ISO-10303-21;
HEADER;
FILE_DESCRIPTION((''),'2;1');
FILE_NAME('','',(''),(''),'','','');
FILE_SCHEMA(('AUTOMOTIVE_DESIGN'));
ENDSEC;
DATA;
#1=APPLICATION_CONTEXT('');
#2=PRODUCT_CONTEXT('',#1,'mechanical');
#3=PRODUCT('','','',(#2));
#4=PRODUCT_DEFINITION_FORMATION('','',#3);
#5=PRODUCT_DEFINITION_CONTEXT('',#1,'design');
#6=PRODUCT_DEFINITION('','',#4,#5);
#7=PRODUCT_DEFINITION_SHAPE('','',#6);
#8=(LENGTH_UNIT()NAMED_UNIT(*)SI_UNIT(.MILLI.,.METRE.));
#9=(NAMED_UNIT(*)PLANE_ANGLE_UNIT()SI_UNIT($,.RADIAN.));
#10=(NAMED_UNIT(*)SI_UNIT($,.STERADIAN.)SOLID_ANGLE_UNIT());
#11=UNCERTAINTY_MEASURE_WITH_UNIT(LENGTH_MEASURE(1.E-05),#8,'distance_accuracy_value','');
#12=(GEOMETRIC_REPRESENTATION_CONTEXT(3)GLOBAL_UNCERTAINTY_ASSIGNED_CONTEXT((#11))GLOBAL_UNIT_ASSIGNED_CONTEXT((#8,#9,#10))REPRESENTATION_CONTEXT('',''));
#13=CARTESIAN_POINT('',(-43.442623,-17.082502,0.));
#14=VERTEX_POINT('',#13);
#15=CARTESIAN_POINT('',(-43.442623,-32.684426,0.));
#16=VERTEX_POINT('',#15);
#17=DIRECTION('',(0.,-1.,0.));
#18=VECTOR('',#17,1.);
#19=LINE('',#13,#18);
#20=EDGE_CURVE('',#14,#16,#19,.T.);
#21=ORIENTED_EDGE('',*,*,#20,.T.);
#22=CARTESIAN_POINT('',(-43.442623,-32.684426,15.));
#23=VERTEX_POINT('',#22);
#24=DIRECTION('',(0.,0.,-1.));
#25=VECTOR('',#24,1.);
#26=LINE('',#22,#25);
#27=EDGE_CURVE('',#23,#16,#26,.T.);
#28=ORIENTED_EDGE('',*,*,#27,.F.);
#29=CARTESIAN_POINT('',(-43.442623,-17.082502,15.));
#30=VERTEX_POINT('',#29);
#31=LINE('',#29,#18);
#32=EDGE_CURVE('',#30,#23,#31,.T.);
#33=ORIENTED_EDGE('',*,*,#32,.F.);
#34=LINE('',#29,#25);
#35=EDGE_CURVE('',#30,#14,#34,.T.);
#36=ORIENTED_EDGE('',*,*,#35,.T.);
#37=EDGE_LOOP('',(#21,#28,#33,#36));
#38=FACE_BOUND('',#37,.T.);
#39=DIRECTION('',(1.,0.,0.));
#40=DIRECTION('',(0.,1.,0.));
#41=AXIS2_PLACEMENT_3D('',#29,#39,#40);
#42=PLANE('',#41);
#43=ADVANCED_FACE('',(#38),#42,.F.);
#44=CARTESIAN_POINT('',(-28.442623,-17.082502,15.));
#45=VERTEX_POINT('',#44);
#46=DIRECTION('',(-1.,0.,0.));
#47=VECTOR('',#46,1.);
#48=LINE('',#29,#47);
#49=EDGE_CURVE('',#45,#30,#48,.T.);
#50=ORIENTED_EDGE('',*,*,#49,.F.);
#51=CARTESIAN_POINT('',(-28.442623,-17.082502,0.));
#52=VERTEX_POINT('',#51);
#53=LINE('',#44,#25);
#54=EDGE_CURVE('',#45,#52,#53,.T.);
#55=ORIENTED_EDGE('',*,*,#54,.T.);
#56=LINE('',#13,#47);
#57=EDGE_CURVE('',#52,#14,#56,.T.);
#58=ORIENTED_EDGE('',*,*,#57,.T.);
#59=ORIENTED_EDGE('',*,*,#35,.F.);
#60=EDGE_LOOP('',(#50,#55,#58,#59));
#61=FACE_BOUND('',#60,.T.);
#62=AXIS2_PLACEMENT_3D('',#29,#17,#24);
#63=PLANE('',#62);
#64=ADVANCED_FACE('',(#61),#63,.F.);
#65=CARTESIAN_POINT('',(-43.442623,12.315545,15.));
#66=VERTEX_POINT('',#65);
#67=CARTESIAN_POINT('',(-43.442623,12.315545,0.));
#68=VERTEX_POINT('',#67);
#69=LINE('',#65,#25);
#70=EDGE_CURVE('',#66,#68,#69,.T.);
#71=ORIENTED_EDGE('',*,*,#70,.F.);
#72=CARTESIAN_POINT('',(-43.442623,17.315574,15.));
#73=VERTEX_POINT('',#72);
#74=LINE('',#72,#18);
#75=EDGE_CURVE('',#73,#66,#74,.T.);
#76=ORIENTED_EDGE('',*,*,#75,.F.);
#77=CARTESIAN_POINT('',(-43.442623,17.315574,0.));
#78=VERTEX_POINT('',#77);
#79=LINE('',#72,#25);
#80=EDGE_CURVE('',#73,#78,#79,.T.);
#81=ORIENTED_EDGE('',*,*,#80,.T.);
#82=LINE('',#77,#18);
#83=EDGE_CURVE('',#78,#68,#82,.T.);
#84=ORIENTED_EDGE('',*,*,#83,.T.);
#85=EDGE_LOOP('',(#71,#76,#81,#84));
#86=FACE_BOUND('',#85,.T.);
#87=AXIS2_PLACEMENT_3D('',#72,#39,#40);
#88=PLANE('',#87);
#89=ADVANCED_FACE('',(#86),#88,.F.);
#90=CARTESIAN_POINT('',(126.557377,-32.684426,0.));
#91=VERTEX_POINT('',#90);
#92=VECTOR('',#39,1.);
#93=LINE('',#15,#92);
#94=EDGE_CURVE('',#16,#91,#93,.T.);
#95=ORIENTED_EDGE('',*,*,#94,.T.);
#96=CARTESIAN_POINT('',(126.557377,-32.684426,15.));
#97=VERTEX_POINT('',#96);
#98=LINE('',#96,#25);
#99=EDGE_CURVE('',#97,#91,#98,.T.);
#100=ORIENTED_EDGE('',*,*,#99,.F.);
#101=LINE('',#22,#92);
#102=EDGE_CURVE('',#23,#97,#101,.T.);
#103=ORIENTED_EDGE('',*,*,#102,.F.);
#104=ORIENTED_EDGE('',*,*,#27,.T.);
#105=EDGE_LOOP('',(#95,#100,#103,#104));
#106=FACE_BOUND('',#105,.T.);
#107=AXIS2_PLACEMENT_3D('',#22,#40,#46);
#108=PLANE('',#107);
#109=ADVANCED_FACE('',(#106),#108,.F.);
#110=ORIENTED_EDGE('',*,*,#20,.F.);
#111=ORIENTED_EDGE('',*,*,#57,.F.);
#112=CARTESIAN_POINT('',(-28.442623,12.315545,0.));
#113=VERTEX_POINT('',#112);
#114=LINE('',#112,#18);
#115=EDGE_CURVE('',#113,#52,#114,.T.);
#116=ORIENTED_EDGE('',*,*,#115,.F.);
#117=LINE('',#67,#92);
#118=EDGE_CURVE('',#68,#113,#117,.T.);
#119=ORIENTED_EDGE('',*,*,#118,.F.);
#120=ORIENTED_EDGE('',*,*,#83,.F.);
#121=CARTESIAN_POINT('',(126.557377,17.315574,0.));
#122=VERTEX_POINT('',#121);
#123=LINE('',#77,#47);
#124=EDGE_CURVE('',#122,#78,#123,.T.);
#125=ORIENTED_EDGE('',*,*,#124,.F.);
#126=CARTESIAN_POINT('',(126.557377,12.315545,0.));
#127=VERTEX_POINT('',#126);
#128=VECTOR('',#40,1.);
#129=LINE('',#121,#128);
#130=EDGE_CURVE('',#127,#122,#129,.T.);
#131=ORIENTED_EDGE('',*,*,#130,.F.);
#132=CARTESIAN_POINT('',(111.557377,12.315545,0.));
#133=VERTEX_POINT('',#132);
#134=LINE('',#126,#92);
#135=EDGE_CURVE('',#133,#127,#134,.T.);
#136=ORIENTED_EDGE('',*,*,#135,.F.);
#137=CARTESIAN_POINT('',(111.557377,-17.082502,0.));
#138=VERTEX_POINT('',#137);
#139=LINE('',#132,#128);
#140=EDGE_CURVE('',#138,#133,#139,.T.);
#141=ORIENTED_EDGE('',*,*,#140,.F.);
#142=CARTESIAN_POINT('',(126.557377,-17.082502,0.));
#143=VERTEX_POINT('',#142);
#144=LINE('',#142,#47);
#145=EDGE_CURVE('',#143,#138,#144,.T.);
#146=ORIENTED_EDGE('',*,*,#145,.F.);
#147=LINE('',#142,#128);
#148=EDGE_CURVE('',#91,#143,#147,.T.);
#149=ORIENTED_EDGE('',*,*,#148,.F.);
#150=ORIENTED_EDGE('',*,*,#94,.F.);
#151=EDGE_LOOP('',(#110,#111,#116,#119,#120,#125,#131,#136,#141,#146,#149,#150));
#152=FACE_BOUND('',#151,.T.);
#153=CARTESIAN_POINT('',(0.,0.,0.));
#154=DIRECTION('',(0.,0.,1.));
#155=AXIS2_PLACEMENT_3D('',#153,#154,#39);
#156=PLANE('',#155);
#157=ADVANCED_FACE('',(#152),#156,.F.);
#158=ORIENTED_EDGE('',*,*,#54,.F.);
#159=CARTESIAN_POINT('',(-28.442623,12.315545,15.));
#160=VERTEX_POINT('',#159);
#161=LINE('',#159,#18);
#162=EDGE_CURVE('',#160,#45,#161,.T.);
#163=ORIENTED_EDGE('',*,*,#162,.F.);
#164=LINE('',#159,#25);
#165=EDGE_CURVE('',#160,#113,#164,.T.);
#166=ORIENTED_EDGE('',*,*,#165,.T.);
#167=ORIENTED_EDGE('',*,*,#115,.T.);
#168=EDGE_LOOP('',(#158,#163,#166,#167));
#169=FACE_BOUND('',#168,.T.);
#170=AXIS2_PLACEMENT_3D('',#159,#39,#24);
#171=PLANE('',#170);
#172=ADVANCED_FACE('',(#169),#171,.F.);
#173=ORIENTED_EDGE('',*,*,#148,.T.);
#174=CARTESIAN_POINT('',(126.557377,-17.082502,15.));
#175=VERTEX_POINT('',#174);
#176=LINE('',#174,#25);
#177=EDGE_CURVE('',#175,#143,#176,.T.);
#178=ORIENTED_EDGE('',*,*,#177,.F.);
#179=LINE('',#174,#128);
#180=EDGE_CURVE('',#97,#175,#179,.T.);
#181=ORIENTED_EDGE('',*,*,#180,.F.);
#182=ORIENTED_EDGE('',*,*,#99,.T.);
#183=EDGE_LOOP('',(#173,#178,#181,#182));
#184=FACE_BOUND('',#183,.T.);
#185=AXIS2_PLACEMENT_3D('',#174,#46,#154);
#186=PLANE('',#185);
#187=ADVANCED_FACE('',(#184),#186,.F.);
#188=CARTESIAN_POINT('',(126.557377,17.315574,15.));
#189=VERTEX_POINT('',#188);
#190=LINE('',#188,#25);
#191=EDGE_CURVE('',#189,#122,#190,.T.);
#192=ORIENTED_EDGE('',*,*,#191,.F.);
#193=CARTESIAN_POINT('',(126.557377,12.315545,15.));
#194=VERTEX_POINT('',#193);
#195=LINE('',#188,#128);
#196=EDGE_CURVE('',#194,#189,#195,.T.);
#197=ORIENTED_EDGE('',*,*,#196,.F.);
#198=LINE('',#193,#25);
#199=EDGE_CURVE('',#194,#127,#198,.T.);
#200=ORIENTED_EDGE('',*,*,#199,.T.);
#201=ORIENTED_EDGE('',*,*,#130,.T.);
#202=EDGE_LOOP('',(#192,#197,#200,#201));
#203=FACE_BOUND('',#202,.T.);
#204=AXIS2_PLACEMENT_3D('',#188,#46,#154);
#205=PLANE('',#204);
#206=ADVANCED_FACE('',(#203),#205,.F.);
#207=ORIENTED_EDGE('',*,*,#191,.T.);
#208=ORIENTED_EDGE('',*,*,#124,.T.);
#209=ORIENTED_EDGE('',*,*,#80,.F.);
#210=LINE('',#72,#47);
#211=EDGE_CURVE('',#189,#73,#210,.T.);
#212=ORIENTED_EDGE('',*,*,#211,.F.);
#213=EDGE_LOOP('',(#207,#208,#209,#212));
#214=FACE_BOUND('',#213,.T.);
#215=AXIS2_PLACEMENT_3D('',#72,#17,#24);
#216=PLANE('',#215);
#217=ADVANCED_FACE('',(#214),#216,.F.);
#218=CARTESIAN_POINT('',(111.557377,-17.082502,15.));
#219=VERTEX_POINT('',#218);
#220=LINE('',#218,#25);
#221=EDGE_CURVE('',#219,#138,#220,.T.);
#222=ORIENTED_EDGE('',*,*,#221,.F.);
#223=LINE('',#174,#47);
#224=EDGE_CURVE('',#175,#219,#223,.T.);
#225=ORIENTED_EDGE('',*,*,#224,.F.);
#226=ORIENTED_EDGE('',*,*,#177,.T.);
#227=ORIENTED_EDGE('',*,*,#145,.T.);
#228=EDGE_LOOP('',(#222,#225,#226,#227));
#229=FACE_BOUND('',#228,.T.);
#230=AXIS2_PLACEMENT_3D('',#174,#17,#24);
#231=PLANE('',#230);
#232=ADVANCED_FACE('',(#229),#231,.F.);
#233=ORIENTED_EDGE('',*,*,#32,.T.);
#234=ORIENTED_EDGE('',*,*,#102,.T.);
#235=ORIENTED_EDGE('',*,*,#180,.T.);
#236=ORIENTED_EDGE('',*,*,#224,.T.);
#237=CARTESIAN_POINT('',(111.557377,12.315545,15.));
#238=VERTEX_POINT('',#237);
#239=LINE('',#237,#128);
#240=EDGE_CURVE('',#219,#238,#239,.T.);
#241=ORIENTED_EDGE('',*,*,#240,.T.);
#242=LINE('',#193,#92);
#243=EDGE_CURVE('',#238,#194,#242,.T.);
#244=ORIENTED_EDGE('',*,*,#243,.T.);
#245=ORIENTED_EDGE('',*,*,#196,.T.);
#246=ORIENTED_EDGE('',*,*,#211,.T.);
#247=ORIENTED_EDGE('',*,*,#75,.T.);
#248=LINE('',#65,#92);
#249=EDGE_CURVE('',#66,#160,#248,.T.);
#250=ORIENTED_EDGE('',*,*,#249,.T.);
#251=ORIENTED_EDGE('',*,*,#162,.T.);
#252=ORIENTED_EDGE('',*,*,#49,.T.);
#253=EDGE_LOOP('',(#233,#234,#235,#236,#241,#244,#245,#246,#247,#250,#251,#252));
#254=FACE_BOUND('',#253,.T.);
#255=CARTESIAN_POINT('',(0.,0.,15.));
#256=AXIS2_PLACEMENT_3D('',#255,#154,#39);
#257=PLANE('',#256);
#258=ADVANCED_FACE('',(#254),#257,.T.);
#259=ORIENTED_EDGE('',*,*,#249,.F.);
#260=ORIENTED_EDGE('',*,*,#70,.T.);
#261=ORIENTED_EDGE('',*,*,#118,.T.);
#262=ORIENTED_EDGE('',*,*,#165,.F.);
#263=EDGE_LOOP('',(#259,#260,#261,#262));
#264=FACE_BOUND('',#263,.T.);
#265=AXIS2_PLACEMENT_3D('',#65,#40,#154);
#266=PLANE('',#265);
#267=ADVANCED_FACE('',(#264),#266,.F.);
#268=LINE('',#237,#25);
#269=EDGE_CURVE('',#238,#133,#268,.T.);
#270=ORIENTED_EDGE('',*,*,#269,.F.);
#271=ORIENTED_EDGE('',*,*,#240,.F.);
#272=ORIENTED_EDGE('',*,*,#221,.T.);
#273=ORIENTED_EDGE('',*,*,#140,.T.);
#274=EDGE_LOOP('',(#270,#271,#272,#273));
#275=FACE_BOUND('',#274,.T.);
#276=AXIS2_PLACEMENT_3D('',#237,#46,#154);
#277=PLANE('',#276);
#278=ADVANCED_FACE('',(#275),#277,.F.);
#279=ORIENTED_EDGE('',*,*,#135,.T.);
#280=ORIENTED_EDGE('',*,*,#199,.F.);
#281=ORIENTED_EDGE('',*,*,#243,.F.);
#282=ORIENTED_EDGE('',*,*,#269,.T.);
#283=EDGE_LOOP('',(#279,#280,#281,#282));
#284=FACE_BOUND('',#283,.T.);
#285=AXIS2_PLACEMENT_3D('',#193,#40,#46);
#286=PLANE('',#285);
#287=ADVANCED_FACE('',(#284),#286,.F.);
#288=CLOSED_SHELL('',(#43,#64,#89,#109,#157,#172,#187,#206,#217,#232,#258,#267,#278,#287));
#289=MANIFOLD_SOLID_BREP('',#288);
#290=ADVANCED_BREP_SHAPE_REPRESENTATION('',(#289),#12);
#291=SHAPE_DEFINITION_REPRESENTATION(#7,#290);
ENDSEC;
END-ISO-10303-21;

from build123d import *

# Parameters (mm, degrees)
BOSS_EXTRUDE1_DEPTH = 15


with BuildPart() as part:
    # Sketch1 → Boss-Extrude1 (new body)
    with BuildSketch(Plane.XY):
        Polygon((-43.442622951, -17.082502232), (-43.442622951, -32.68442623), (126.557377049, -32.68442623), (126.557377049, -17.082502232), (111.557377049, -17.082502232), (111.557377049, 12.315544642), (126.557377049, 12.315544642), (126.557377049, 17.31557377), (-43.442622951, 17.31557377), (-43.442622951, 12.315544642), (-28.442622951, 12.315544642), (-28.442622951, -17.082502232), align=None)
    extrude(amount=BOSS_EXTRUDE1_DEPTH)


solid = part.part
